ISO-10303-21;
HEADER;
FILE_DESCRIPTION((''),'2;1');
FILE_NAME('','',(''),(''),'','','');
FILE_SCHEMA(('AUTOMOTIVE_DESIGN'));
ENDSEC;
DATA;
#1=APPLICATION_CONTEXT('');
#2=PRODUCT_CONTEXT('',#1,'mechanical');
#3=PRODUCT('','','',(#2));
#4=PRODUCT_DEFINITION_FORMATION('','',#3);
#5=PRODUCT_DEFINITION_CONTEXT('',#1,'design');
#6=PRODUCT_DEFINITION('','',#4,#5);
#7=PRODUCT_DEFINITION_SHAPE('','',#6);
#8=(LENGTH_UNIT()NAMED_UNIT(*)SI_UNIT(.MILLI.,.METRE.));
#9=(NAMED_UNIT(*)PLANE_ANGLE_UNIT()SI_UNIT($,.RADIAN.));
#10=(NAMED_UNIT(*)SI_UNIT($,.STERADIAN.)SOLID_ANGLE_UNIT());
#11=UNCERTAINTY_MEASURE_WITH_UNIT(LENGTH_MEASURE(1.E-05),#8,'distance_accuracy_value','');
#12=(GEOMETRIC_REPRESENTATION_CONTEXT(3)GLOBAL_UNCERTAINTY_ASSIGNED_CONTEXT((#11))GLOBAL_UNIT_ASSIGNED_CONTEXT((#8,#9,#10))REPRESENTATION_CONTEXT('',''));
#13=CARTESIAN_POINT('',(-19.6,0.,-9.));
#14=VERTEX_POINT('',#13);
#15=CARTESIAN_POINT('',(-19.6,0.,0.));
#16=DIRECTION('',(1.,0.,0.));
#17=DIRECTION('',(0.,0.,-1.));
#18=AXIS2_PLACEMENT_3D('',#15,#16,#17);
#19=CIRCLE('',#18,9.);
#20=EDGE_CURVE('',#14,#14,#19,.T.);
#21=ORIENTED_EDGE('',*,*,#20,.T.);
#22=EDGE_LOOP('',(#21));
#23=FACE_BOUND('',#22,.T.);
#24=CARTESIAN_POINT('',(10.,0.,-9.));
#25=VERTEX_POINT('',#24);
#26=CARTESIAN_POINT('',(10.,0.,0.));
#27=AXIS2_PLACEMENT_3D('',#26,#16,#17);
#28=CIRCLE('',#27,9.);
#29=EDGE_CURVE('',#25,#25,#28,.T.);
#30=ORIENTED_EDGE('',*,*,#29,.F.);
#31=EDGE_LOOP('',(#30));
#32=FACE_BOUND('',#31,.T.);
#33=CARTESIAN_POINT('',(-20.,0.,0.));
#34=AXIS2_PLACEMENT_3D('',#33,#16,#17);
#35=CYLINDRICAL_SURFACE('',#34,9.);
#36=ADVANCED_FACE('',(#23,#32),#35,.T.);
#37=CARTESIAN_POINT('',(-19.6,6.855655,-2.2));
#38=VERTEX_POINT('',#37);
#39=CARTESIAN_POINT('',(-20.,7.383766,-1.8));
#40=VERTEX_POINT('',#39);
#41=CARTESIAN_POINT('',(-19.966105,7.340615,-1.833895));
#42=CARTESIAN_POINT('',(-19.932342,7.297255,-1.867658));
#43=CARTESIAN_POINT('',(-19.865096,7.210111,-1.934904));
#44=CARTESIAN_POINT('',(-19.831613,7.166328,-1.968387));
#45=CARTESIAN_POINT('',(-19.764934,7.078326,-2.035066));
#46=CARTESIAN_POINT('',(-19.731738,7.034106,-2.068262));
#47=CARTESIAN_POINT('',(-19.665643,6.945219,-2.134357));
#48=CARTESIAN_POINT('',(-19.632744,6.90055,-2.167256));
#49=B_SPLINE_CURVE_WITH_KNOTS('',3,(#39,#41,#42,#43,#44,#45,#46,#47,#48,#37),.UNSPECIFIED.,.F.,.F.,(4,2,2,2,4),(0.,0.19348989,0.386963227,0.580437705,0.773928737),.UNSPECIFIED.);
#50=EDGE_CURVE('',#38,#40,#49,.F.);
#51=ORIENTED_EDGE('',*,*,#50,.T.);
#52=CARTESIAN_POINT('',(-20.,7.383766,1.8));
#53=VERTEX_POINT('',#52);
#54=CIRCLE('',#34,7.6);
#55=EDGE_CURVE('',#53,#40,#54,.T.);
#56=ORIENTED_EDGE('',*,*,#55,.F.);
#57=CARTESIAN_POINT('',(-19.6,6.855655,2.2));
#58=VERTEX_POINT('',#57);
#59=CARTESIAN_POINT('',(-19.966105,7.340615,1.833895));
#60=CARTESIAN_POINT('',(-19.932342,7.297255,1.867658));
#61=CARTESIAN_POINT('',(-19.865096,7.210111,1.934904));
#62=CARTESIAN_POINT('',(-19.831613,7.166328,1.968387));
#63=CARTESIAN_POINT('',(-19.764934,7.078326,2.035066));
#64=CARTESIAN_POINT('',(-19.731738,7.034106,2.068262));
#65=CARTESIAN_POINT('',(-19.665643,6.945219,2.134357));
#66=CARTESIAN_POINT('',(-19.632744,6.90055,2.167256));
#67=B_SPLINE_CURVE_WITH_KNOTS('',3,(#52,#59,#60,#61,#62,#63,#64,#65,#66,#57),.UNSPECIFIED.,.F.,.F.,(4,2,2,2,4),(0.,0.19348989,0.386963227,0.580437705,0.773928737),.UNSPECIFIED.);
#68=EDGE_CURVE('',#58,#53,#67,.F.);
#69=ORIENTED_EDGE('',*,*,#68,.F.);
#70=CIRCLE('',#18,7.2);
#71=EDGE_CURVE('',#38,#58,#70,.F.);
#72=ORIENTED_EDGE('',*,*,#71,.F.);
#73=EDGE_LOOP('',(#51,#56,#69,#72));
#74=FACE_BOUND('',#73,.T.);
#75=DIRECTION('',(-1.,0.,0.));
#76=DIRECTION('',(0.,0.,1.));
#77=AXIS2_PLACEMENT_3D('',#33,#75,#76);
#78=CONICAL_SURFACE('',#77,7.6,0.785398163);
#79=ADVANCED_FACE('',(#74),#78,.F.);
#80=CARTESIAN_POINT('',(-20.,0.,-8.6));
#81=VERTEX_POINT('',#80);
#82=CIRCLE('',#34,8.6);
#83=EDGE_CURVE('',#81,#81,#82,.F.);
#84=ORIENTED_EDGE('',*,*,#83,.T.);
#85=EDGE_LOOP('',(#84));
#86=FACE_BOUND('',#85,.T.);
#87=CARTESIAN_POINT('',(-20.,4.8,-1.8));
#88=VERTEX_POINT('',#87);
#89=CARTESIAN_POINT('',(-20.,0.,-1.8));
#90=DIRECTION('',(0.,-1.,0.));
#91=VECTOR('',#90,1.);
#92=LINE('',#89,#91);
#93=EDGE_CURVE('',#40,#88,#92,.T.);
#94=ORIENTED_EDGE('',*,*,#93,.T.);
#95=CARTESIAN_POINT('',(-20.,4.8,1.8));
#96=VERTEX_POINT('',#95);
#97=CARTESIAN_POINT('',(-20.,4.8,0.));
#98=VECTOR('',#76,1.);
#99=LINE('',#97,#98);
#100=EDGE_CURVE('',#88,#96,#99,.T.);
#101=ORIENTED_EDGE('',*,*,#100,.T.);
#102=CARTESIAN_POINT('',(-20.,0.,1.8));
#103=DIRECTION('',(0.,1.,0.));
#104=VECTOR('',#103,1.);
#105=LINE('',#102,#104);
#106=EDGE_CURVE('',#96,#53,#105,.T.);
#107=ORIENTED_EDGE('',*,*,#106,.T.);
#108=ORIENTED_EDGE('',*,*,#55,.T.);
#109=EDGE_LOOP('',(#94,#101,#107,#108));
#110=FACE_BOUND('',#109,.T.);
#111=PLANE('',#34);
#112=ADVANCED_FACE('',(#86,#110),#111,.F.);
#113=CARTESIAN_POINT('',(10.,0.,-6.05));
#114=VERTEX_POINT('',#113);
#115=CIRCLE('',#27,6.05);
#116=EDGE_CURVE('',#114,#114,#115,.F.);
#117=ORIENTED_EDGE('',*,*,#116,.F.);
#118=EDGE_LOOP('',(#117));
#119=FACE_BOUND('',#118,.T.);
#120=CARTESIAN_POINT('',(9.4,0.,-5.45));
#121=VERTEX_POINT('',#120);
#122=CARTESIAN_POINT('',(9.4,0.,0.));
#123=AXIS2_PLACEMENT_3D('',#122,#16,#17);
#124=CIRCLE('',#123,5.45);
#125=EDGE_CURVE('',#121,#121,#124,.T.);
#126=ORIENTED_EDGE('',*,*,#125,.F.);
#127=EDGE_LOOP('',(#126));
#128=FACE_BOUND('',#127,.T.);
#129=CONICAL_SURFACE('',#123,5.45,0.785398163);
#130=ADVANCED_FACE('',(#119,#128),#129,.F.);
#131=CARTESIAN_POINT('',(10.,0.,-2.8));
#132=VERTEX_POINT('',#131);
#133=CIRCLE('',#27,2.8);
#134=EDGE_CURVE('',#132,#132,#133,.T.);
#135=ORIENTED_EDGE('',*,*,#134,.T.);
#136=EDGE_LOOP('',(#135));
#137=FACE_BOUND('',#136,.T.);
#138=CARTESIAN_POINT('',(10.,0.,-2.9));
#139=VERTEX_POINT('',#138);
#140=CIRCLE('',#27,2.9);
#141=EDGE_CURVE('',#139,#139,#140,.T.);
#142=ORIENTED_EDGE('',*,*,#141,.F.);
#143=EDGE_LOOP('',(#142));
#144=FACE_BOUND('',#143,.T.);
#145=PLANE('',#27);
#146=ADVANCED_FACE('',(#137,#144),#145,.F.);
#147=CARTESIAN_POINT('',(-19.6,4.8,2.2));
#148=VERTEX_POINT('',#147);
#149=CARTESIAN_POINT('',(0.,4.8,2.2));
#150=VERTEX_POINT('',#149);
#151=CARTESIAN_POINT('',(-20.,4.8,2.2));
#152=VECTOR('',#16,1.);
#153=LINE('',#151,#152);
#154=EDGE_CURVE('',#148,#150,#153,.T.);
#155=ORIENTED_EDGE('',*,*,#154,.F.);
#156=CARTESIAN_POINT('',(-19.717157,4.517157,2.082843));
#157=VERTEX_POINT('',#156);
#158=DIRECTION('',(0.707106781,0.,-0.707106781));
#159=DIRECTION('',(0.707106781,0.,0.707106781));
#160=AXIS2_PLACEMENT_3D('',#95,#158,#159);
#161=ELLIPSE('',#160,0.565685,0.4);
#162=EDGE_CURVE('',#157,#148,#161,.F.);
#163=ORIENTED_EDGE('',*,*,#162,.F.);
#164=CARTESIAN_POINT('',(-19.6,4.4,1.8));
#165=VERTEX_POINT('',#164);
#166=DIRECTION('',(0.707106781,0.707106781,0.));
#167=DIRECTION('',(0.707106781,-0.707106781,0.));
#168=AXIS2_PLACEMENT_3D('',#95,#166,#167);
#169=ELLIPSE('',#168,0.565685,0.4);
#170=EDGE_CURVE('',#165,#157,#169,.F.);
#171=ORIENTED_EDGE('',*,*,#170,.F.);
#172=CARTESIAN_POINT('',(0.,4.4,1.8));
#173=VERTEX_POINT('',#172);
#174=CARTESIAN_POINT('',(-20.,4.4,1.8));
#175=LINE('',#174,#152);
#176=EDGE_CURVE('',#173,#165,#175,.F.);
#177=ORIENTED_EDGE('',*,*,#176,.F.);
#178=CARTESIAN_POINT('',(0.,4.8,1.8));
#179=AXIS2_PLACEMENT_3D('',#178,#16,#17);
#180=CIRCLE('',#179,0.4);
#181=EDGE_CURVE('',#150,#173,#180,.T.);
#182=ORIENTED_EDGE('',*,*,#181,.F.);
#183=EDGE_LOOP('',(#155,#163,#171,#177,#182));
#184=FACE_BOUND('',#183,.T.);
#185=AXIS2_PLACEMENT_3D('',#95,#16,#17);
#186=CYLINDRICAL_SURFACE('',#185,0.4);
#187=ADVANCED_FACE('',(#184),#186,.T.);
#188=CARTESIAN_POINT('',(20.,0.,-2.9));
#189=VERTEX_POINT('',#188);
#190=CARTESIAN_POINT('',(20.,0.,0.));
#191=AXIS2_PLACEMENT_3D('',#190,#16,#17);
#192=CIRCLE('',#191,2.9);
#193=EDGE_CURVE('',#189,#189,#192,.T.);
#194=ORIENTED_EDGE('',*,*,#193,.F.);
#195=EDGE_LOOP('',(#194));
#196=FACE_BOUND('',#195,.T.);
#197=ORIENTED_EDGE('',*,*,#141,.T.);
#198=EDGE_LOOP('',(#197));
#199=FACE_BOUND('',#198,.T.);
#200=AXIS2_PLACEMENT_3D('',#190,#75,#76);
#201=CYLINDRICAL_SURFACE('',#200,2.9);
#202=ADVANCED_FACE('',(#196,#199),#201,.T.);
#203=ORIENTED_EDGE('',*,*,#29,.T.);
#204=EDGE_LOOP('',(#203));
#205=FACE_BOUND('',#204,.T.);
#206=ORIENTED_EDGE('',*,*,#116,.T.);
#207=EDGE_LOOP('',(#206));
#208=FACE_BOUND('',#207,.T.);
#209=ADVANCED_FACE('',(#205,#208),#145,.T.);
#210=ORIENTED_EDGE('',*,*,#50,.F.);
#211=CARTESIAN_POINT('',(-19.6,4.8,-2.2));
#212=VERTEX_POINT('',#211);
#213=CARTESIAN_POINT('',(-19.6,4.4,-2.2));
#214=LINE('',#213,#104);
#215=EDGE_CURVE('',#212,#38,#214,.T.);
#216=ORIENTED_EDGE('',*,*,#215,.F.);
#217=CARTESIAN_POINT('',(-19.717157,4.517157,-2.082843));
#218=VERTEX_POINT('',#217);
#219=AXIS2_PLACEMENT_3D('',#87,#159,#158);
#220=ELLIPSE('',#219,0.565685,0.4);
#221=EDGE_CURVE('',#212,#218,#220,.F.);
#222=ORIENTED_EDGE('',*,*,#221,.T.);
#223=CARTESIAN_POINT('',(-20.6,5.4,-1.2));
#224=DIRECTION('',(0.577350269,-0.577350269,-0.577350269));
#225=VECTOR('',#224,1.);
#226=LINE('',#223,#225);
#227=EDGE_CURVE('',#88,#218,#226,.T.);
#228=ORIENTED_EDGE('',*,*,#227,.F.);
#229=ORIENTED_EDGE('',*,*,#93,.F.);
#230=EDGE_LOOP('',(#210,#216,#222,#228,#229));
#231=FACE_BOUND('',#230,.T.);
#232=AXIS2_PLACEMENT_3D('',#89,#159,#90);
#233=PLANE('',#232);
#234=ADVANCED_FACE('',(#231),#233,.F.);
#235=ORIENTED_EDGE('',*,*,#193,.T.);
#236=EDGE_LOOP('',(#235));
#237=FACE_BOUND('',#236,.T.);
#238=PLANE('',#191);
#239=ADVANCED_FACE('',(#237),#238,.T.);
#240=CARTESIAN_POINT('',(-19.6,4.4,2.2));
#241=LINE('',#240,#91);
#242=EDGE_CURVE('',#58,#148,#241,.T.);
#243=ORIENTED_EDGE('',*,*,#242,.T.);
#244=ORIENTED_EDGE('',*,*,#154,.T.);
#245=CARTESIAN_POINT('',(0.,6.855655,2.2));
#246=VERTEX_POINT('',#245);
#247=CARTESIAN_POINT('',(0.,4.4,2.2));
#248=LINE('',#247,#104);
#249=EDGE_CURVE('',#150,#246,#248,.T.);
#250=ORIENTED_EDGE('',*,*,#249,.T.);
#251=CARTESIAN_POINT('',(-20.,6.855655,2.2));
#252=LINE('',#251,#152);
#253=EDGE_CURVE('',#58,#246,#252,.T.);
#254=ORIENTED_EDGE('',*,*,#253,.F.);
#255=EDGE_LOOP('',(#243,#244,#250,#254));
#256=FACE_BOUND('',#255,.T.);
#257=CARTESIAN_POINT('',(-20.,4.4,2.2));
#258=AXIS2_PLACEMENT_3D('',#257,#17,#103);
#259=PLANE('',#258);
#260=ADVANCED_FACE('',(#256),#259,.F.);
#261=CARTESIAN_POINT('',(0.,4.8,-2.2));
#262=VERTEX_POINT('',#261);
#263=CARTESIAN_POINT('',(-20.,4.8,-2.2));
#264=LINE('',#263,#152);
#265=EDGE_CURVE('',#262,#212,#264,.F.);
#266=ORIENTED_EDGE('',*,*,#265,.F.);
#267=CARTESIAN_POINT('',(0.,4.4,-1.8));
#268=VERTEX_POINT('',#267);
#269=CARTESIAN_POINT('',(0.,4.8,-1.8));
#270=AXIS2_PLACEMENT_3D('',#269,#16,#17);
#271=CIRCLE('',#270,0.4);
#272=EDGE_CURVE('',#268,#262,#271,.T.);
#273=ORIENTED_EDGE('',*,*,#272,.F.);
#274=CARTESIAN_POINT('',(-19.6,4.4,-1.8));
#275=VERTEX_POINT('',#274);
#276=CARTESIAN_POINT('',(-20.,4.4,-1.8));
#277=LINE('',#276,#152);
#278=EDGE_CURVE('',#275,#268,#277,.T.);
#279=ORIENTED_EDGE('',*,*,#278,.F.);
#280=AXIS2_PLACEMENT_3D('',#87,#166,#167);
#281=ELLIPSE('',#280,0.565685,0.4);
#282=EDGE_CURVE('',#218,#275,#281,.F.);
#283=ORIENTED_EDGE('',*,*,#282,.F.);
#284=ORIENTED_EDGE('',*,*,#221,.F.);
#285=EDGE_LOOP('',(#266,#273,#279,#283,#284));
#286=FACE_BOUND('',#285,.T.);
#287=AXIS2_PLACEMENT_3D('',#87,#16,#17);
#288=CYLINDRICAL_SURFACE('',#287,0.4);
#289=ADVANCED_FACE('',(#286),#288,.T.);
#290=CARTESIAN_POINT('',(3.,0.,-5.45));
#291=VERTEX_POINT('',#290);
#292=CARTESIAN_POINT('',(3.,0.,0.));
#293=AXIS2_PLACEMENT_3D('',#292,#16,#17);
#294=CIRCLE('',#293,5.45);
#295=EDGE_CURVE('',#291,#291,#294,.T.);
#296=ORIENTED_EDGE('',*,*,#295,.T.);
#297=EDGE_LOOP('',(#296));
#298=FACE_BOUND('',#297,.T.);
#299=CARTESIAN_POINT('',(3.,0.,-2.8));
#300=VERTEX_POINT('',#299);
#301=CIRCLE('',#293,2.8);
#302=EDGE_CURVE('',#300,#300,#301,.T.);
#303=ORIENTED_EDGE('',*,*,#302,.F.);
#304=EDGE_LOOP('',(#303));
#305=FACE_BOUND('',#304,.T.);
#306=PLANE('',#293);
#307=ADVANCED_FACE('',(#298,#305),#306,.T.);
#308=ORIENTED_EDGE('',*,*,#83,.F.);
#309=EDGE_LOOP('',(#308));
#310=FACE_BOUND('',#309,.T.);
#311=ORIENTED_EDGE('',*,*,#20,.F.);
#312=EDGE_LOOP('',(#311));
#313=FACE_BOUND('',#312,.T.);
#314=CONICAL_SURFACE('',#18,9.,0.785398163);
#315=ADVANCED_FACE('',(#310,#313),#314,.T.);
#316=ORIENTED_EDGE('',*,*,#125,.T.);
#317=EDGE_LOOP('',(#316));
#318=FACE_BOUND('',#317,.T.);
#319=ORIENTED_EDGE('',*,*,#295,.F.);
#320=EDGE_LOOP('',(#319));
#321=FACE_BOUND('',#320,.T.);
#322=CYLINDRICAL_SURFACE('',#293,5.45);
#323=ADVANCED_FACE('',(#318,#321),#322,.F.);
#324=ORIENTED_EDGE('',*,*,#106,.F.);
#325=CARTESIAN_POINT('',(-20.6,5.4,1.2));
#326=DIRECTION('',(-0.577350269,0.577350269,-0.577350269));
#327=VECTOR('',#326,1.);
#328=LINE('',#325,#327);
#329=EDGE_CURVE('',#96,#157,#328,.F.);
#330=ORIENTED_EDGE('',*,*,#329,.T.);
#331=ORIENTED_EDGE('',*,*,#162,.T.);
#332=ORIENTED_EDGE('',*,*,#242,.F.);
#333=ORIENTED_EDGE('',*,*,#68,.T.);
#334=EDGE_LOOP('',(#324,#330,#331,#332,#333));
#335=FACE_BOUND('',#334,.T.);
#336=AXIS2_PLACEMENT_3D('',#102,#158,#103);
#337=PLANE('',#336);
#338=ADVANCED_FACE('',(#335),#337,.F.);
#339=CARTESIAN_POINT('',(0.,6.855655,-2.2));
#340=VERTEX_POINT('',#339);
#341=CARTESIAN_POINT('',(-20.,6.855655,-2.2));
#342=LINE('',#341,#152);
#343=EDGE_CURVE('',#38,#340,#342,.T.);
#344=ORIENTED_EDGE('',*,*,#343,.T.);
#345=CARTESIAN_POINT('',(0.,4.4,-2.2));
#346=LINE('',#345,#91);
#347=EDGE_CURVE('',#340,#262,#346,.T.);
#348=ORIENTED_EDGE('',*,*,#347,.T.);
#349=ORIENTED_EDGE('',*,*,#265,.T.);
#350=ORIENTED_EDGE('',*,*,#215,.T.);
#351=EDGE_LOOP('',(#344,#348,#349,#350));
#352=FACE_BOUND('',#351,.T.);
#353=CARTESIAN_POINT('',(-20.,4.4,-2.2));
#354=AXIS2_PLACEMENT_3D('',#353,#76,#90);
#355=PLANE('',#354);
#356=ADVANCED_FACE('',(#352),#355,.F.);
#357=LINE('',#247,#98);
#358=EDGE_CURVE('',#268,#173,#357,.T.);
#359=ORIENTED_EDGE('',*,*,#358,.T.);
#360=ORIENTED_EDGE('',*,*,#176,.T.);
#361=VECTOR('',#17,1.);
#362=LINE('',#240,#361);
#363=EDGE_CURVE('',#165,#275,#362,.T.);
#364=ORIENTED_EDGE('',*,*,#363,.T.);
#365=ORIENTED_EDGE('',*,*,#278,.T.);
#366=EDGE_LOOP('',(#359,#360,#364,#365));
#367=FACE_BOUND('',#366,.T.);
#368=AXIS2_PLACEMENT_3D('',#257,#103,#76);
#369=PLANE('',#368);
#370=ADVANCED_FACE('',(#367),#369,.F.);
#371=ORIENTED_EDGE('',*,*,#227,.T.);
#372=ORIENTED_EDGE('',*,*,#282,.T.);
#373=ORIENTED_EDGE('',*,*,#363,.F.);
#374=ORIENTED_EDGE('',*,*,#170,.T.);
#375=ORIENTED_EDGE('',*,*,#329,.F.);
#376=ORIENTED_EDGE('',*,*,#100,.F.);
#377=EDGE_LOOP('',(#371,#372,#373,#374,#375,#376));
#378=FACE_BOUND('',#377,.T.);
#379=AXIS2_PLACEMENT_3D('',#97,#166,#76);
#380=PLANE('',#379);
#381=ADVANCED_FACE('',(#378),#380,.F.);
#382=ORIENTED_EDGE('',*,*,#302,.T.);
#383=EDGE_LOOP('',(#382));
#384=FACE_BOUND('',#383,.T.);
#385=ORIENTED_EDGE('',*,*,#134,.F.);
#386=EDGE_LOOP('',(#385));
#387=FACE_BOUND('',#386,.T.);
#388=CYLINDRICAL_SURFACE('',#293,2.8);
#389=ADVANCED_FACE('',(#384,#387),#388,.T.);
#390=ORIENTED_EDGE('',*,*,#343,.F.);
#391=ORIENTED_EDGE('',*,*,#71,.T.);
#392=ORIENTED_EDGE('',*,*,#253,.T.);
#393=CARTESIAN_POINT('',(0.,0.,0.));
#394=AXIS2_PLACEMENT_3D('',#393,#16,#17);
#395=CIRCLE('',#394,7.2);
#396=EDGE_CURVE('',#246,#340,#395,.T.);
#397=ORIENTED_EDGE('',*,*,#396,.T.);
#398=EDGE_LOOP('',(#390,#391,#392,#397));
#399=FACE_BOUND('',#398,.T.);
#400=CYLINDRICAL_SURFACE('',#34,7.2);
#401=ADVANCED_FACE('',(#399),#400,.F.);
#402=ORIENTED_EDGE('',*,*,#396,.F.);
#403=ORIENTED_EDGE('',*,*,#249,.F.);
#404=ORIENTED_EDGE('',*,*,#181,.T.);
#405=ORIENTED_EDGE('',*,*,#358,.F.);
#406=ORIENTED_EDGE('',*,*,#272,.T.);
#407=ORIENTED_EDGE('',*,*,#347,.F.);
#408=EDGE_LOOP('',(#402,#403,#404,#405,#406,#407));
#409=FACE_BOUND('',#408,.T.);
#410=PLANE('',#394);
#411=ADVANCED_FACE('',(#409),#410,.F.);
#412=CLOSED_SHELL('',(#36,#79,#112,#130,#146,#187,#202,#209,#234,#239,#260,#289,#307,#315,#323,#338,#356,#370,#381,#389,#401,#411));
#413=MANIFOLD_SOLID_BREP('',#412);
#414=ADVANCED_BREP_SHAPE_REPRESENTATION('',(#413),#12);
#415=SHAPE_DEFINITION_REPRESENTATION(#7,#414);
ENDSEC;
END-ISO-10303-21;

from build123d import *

# Parameters (mm, degrees)
SKETCH_1_R          = 9
EXTRUDE_1_DEPTH     = 20
EXTRUDE_START       = 10
SKETCH_2_R          = 9
EXTRUDE_2_DEPTH     = 10
SKETCH_4_R          = 5.45
SKETCH_4_R_2        = 2.8
CUT_EXTRUDE_1_DEPTH = 7
SKETCH_5_R          = 2.9
EXTRUDE_3_DEPTH     = 10
CHAMFER_1_SIZE      = 0.6
CHAMFER_2_SIZE      = 0.4
FILLET_3_R          = 0.4


with BuildPart() as part:
    # 草图1 → 凸台-拉伸1 (new body)
    with BuildSketch(Plane(origin=(0, 0, 0), x_dir=(0, 0, -1), z_dir=(1, 0, 0))):
        Circle(SKETCH_1_R)
        with BuildLine():
            Line((-2.2, 4.4), (2.2, 4.4))
            Line((2.2, 4.4), (2.2, 6.8556546))
            ThreePointArc((2.2, 6.8556546), (0, -7.2), (-2.2, 6.8556546))
            Line((-2.2, 6.8556546), (-2.2, 4.4))
        make_face(mode=Mode.SUBTRACT)
    extrude(amount=-EXTRUDE_1_DEPTH)

    # 草图2 → 凸台-拉伸2 (add)
    with BuildSketch(Plane(origin=(0, 0, 0), x_dir=(0, 0, -1), z_dir=(1, 0, 0)).offset(EXTRUDE_START)):
        Circle(SKETCH_2_R)
    extrude(amount=-EXTRUDE_2_DEPTH)

    # 草图4 → 切除-拉伸1 (cut)
    with BuildSketch(Plane(origin=(10, 0, 0), x_dir=(0, 0, -1), z_dir=(1, 0, 0))):
        Circle(SKETCH_4_R)
        Circle(SKETCH_4_R_2, mode=Mode.SUBTRACT)
    extrude(amount=-CUT_EXTRUDE_1_DEPTH, mode=Mode.SUBTRACT)

    # 草图5 → 凸台-拉伸3 (add)
    with BuildSketch(Plane(origin=(10, 0, 0), x_dir=(0, 0, -1), z_dir=(1, 0, 0))):
        Circle(SKETCH_5_R)
    extrude(amount=EXTRUDE_3_DEPTH)

    # Chamfer 1
    chamfer_1_edges = [part.edges().sort_by_distance(p)[0] for p in [
        (10, 0, 5.45),
    ]]
    chamfer(chamfer_1_edges, length=CHAMFER_1_SIZE)

    # Chamfer 2
    chamfer_2_edges = [part.edges().sort_by_distance(p)[0] for p in [
        (-20, 0, 9),
        (-20, 5.6278273, 2.2),
        (-20, 4.4, 0),
        (-20, 5.6278273, -2.2),
        (-20, -7.2, 0),
    ]]
    chamfer(chamfer_2_edges, length=CHAMFER_2_SIZE)

    # 圆角3
    fillet_3_edges = [part.edges().sort_by_distance(p)[0] for p in [
        (-9.8, 4.4, 2.2),
        (-9.8, 4.4, -2.2),
    ]]
    fillet(fillet_3_edges, radius=FILLET_3_R)


solid = part.part
